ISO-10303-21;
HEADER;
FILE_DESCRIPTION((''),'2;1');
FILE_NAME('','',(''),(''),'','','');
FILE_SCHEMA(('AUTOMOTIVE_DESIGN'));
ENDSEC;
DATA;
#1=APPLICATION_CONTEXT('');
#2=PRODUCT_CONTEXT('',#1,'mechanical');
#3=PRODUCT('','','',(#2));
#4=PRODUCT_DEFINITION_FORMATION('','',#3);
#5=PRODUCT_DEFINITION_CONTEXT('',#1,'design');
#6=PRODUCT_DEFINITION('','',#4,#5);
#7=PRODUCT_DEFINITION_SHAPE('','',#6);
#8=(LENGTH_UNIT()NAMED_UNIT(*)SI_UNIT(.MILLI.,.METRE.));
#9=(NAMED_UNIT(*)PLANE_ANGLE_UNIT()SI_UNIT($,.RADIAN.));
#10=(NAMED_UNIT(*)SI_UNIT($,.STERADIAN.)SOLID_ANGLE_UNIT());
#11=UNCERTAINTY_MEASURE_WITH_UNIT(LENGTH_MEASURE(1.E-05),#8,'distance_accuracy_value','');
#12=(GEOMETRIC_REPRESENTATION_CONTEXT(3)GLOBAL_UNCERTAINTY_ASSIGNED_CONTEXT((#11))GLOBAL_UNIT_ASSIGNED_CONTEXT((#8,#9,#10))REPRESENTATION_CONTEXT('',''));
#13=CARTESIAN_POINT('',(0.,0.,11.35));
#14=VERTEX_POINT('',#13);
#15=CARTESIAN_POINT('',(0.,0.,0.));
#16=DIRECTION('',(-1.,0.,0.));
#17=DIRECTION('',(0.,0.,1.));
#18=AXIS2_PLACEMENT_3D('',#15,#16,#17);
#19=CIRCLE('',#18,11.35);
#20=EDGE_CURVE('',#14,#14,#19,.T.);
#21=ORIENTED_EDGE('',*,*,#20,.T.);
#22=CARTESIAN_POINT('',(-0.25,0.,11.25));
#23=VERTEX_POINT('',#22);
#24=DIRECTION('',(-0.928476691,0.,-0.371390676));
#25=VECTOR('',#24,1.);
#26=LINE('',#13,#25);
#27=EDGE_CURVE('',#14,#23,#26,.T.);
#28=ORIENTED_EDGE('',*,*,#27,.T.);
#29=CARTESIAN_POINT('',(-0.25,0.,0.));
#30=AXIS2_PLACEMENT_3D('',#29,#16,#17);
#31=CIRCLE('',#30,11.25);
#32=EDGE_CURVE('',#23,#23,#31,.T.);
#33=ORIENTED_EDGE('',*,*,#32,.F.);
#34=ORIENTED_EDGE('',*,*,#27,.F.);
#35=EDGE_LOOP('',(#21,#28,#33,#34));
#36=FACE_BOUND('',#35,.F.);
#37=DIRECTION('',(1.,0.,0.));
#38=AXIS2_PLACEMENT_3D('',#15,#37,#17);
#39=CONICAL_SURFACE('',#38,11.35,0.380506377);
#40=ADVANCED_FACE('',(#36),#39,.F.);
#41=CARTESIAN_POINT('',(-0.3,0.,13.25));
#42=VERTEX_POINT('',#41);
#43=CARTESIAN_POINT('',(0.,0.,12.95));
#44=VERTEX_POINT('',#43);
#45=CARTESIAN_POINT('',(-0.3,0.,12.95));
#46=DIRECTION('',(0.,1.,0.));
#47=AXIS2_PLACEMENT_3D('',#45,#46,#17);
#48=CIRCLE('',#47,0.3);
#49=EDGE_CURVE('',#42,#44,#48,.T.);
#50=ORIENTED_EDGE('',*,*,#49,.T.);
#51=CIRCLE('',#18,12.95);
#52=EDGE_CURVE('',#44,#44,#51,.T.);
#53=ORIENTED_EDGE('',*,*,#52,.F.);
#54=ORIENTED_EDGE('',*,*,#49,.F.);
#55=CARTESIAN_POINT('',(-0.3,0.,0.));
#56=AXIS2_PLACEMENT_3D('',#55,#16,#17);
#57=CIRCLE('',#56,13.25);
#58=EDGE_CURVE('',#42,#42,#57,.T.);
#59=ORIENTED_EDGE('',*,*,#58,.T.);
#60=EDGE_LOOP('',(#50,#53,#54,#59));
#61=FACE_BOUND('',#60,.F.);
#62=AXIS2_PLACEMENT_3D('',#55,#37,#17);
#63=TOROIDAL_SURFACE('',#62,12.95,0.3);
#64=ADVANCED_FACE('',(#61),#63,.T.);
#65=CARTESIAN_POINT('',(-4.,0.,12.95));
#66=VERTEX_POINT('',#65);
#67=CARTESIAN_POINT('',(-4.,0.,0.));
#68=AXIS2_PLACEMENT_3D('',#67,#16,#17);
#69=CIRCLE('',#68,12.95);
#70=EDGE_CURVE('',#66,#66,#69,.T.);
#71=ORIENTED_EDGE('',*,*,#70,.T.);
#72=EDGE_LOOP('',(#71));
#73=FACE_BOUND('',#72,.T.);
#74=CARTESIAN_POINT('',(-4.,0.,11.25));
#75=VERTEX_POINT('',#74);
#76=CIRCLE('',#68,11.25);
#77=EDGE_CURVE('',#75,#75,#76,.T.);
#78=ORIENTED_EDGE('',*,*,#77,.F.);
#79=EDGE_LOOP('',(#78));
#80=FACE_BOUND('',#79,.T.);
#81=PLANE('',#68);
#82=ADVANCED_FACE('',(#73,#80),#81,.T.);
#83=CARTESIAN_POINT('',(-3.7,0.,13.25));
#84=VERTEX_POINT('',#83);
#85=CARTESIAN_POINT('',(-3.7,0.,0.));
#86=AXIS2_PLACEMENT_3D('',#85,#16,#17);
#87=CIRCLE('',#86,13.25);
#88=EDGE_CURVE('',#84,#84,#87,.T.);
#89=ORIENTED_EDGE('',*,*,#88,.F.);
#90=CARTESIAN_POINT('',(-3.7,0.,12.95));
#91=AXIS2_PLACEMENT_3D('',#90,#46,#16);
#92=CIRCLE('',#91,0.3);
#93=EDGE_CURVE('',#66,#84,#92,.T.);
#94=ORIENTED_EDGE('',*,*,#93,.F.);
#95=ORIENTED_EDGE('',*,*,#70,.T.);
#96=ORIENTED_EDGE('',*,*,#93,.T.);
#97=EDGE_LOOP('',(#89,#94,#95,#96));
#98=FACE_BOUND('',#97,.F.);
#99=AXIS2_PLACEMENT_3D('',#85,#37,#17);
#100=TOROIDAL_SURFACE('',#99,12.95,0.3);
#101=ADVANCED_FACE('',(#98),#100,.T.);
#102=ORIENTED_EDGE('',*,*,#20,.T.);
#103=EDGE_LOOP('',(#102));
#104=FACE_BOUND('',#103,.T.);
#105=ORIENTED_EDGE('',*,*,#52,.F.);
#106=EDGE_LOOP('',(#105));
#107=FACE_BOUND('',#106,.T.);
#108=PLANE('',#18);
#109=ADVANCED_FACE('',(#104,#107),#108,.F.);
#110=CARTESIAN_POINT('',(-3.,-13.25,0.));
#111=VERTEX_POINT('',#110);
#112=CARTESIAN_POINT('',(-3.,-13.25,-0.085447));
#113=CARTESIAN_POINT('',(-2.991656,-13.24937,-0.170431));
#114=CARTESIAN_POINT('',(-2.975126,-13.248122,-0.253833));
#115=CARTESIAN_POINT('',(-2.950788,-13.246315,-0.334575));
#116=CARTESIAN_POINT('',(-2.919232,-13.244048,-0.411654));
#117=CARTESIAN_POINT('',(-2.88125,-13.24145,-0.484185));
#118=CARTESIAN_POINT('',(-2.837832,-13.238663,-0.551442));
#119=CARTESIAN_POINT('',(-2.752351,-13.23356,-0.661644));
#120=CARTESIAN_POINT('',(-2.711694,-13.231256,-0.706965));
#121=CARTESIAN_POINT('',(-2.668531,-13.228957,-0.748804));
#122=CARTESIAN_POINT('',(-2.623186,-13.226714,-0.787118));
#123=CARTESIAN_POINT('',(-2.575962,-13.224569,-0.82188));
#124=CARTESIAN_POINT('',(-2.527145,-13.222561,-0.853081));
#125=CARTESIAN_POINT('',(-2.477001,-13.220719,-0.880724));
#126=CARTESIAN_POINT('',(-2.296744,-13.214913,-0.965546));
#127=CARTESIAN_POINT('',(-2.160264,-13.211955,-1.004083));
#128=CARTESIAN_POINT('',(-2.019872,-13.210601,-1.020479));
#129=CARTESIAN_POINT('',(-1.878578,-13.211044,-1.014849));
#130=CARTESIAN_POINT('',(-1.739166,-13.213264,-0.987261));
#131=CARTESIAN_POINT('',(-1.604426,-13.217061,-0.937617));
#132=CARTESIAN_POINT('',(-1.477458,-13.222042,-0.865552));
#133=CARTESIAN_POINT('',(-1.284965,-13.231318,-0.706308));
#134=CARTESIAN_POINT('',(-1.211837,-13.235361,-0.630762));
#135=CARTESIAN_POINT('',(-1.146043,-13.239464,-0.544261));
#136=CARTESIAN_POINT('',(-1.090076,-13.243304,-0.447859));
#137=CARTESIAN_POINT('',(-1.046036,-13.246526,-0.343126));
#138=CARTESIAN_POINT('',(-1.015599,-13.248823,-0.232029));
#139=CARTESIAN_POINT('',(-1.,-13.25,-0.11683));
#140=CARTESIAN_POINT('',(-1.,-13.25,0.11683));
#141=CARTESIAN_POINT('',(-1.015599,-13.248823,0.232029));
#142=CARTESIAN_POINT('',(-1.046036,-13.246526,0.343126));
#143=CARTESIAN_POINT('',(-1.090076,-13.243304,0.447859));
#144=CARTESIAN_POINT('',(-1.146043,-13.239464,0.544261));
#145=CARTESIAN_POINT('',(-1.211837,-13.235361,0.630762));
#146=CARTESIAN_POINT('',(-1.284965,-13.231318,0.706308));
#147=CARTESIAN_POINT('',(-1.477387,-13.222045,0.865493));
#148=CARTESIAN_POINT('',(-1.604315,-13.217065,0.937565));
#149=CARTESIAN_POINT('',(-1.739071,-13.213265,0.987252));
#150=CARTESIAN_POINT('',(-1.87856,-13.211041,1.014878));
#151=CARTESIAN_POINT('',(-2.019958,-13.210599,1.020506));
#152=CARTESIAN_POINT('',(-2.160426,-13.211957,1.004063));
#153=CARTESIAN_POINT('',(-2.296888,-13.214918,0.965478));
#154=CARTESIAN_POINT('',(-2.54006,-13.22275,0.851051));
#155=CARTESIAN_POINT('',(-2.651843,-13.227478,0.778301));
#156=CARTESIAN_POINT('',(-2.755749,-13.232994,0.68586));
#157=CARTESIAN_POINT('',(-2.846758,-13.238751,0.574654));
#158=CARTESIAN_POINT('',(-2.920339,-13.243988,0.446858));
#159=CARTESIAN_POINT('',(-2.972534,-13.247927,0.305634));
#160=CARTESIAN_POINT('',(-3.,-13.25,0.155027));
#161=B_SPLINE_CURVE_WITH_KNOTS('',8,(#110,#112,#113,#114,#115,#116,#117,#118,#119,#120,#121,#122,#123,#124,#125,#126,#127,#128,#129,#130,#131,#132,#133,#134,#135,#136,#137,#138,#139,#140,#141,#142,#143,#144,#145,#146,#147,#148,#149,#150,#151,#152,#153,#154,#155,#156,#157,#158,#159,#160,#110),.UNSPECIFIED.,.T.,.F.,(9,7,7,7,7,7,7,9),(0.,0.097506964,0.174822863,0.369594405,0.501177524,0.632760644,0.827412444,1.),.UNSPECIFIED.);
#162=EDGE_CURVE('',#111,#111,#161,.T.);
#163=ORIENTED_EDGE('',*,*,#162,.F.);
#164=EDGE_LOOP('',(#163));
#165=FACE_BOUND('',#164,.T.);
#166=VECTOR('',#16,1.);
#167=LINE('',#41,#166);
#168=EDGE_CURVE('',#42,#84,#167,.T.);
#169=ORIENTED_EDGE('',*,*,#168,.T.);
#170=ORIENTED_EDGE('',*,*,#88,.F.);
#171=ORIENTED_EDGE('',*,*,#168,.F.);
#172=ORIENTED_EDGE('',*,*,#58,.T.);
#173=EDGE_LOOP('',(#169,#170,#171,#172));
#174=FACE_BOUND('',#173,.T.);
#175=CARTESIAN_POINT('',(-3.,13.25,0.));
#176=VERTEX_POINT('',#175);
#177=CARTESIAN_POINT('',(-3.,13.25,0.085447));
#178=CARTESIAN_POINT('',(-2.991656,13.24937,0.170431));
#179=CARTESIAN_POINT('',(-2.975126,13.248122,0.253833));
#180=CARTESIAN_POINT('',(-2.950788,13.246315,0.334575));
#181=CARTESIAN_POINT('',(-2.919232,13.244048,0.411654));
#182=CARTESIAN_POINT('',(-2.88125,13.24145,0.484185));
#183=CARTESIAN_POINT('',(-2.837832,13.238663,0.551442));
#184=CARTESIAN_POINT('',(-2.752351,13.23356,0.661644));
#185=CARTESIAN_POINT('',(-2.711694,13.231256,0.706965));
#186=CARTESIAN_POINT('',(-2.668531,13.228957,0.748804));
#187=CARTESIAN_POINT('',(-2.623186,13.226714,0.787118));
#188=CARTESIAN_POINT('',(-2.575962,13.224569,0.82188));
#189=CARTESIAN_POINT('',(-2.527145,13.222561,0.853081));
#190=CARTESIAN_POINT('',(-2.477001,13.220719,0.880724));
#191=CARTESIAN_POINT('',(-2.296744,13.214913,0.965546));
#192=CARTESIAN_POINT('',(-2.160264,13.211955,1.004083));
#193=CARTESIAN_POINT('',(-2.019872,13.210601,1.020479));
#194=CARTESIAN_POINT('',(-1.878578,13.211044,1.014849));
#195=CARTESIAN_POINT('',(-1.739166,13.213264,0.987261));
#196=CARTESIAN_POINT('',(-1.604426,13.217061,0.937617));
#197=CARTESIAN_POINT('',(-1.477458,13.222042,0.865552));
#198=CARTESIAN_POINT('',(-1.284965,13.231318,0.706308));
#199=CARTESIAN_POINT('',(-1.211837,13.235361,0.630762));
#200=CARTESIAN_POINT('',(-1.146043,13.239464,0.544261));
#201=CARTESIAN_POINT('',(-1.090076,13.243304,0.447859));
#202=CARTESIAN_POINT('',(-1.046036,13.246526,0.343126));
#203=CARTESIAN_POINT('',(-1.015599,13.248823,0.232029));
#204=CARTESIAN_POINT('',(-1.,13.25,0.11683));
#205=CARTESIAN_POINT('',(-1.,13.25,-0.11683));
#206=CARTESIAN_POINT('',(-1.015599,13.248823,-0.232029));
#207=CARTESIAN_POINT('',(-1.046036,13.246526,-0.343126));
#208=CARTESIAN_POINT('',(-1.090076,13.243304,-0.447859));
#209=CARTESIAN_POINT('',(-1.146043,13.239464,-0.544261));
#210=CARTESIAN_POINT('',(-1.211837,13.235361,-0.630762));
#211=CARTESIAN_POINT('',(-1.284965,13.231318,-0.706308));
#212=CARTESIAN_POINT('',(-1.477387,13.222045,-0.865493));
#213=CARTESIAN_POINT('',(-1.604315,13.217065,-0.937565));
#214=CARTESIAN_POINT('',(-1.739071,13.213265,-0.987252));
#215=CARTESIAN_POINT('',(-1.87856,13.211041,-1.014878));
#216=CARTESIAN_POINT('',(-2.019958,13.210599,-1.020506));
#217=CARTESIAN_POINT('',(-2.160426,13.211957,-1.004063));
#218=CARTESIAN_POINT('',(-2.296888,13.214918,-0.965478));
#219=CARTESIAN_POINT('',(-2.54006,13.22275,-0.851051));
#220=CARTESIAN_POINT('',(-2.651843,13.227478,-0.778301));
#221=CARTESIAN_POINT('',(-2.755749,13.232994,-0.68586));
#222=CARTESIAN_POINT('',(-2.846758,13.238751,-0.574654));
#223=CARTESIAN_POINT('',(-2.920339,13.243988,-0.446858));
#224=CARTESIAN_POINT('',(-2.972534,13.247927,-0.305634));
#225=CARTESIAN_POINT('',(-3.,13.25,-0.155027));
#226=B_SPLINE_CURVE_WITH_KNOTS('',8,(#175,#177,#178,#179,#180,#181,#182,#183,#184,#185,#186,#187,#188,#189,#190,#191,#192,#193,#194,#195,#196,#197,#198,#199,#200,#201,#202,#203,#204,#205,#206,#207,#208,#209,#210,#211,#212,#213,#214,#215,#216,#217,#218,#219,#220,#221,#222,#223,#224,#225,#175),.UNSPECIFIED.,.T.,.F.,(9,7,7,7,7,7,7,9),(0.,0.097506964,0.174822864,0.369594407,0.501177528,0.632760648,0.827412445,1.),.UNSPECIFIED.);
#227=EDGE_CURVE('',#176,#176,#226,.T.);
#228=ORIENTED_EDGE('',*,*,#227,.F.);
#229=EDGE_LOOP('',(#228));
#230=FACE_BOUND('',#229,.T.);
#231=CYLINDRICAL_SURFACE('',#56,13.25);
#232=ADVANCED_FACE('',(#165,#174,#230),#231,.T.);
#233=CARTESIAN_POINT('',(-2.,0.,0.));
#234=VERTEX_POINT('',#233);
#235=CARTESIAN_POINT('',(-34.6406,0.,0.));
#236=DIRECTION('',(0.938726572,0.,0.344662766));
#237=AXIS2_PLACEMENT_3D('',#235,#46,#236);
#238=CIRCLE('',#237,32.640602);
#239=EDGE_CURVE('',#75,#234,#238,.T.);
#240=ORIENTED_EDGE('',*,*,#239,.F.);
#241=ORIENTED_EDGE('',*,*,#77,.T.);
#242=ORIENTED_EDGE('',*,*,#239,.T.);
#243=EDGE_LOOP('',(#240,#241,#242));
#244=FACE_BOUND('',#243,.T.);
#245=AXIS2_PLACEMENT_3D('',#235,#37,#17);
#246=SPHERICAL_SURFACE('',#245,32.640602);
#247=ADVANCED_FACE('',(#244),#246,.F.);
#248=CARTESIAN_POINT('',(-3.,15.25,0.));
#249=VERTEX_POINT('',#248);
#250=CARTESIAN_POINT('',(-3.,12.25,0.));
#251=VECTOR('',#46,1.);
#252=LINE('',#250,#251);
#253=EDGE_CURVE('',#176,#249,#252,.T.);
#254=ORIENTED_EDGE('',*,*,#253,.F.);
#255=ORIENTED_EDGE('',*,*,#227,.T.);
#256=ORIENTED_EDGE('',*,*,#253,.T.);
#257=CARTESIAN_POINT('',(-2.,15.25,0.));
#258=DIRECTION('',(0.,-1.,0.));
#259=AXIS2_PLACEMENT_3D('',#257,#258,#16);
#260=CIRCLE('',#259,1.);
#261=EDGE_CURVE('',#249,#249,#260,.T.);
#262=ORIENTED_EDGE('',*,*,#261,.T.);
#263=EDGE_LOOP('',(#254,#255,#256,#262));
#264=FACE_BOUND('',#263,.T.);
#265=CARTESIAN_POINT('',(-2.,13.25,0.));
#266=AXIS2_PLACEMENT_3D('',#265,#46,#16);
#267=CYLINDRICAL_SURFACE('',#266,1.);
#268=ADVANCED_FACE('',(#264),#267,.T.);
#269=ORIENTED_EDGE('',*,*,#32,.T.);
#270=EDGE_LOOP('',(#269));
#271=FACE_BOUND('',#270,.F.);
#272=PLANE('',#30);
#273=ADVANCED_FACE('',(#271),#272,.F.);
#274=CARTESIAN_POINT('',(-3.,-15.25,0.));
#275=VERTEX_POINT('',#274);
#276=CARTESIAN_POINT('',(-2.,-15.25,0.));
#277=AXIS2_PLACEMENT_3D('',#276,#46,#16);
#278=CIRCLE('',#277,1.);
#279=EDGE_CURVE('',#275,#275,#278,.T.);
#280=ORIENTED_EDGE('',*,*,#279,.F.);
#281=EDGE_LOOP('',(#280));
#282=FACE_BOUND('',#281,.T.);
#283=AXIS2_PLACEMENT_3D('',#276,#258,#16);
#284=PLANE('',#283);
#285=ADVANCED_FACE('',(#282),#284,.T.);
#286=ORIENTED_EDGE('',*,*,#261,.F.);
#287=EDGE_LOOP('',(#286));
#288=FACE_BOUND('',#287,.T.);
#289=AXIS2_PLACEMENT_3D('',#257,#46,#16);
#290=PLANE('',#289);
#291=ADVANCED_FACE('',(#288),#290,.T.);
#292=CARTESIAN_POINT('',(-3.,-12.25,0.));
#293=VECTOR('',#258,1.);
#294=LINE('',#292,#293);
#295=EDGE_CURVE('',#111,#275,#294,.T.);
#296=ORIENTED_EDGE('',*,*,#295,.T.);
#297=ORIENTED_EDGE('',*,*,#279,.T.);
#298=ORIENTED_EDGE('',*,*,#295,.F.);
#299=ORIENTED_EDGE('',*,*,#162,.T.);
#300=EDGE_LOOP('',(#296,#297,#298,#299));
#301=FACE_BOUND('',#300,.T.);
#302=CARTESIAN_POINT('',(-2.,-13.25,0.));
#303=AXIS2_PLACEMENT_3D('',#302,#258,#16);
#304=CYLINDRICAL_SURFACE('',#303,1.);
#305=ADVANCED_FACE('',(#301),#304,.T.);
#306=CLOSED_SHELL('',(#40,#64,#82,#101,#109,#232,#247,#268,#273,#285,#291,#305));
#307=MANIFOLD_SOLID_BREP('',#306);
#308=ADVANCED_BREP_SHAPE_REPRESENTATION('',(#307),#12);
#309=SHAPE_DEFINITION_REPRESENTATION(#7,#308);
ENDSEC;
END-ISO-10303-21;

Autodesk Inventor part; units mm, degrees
ref_plane "YZ Plane" through (0, 0, 0) normal (1, 0, 0) x (0, 1, 0)
ref_plane "XY Plane" through (0, 0, 0) normal (0, 0, 1) x (1, 0, 0)
sketch "Sketch1" plane through (0, 0, 0) normal (0, 1, 0) x (-1, 0, 0)
  line L0 (0, 11.35) -> (0, 12.95)
  line L1 (0.3, 13.25) -> (3.7, 13.25)
  line L2 (0, -11.35) -> (0, -13.25)
  line L3 (0, -13.25) -> (4, -13.25)
  line L4 (4, 12.95) -> (4, 11.25)
  line L5 (4, -13.25) -> (4, -11.25)
  arc A0 (4, 11.25) -> (4, -11.25) centre (34.6406, 0) ccw
  line L6 (0.25, 11.25) -> (0.25, 11.25)
  line L7 (0.25, 11.25) -> (0.25, -11.25)
  line L8 (0.25, -11.25) -> (0.25, -11.25)
  arc A1 (4, 12.95) -> (3.7, 13.25) centre (3.7, 12.95) ccw
  arc A2 (0.3, 13.25) -> (0, 12.95) centre (0.3, 12.95) ccw
  line L9 (0, 11.35) -> (0.25, 11.25)
  line L10 (0, -11.35) -> (0.25, -11.25)
  line L11 (0, 0) -> (3.4534, 0)
  line L12 (2, 0) -> (0.25, 0)
  point P0 (0, 13.25)
  point P1 (4, 13.25)
  point P2 (0, 11.25)
  point P3 (0, -11.25)
  dimension "d0" = 13.25
  dimension "d1" = 26.5
  dimension "d2" = 4
  dimension "d4" = 2
  dimension "d5" = 2
  dimension "d6" = 0.25
  dimension "d7" = 0.3
  dimension "d8" = 0.1
  dimension "d9" = 0.25
  dimension "d10" = 0.1
  dimension "d11" = 0.25
revolve "Revolution1" add sketch "Sketch1" angle 360 about axis through (0, 0, 0) along (-1, 0, 0) contours L0 A2 L1 A1 L4 A0 L11 L7 L9
ref_plane "Work Plane1" through (-2, 13.25, 0) normal (0, 1, 0) x (-1, 0, 0)
sketch "Sketch2" plane through (-2, 13.25, 0) normal (0, 1, 0) x (-1, 0, 0)
  arc A0 (2, 11.25) -> (2, -11.25) centre (32.6406, 0) ccw projected
  circle A1 centre (0, 0) radius 1
  point P0 (-2, 0)
  dimension "d13" = 2
extrude "Extrusion1" add sketch "Sketch2" along normal blind 2 and the other way blind 1
pattern_circular "Circular Pattern1" count 2 over 360 about axis through (-2, 0, 0) along (-1, 0, 0) of "Extrusion1"
ref_plane "Work Plane2" through (-2, -13.25, 0) normal (0, -1, 0) x (-1, 0, 0)
equation "\"d10\" = d8"
equation "\"d11\" = d9"
properties part number "Espejo"
